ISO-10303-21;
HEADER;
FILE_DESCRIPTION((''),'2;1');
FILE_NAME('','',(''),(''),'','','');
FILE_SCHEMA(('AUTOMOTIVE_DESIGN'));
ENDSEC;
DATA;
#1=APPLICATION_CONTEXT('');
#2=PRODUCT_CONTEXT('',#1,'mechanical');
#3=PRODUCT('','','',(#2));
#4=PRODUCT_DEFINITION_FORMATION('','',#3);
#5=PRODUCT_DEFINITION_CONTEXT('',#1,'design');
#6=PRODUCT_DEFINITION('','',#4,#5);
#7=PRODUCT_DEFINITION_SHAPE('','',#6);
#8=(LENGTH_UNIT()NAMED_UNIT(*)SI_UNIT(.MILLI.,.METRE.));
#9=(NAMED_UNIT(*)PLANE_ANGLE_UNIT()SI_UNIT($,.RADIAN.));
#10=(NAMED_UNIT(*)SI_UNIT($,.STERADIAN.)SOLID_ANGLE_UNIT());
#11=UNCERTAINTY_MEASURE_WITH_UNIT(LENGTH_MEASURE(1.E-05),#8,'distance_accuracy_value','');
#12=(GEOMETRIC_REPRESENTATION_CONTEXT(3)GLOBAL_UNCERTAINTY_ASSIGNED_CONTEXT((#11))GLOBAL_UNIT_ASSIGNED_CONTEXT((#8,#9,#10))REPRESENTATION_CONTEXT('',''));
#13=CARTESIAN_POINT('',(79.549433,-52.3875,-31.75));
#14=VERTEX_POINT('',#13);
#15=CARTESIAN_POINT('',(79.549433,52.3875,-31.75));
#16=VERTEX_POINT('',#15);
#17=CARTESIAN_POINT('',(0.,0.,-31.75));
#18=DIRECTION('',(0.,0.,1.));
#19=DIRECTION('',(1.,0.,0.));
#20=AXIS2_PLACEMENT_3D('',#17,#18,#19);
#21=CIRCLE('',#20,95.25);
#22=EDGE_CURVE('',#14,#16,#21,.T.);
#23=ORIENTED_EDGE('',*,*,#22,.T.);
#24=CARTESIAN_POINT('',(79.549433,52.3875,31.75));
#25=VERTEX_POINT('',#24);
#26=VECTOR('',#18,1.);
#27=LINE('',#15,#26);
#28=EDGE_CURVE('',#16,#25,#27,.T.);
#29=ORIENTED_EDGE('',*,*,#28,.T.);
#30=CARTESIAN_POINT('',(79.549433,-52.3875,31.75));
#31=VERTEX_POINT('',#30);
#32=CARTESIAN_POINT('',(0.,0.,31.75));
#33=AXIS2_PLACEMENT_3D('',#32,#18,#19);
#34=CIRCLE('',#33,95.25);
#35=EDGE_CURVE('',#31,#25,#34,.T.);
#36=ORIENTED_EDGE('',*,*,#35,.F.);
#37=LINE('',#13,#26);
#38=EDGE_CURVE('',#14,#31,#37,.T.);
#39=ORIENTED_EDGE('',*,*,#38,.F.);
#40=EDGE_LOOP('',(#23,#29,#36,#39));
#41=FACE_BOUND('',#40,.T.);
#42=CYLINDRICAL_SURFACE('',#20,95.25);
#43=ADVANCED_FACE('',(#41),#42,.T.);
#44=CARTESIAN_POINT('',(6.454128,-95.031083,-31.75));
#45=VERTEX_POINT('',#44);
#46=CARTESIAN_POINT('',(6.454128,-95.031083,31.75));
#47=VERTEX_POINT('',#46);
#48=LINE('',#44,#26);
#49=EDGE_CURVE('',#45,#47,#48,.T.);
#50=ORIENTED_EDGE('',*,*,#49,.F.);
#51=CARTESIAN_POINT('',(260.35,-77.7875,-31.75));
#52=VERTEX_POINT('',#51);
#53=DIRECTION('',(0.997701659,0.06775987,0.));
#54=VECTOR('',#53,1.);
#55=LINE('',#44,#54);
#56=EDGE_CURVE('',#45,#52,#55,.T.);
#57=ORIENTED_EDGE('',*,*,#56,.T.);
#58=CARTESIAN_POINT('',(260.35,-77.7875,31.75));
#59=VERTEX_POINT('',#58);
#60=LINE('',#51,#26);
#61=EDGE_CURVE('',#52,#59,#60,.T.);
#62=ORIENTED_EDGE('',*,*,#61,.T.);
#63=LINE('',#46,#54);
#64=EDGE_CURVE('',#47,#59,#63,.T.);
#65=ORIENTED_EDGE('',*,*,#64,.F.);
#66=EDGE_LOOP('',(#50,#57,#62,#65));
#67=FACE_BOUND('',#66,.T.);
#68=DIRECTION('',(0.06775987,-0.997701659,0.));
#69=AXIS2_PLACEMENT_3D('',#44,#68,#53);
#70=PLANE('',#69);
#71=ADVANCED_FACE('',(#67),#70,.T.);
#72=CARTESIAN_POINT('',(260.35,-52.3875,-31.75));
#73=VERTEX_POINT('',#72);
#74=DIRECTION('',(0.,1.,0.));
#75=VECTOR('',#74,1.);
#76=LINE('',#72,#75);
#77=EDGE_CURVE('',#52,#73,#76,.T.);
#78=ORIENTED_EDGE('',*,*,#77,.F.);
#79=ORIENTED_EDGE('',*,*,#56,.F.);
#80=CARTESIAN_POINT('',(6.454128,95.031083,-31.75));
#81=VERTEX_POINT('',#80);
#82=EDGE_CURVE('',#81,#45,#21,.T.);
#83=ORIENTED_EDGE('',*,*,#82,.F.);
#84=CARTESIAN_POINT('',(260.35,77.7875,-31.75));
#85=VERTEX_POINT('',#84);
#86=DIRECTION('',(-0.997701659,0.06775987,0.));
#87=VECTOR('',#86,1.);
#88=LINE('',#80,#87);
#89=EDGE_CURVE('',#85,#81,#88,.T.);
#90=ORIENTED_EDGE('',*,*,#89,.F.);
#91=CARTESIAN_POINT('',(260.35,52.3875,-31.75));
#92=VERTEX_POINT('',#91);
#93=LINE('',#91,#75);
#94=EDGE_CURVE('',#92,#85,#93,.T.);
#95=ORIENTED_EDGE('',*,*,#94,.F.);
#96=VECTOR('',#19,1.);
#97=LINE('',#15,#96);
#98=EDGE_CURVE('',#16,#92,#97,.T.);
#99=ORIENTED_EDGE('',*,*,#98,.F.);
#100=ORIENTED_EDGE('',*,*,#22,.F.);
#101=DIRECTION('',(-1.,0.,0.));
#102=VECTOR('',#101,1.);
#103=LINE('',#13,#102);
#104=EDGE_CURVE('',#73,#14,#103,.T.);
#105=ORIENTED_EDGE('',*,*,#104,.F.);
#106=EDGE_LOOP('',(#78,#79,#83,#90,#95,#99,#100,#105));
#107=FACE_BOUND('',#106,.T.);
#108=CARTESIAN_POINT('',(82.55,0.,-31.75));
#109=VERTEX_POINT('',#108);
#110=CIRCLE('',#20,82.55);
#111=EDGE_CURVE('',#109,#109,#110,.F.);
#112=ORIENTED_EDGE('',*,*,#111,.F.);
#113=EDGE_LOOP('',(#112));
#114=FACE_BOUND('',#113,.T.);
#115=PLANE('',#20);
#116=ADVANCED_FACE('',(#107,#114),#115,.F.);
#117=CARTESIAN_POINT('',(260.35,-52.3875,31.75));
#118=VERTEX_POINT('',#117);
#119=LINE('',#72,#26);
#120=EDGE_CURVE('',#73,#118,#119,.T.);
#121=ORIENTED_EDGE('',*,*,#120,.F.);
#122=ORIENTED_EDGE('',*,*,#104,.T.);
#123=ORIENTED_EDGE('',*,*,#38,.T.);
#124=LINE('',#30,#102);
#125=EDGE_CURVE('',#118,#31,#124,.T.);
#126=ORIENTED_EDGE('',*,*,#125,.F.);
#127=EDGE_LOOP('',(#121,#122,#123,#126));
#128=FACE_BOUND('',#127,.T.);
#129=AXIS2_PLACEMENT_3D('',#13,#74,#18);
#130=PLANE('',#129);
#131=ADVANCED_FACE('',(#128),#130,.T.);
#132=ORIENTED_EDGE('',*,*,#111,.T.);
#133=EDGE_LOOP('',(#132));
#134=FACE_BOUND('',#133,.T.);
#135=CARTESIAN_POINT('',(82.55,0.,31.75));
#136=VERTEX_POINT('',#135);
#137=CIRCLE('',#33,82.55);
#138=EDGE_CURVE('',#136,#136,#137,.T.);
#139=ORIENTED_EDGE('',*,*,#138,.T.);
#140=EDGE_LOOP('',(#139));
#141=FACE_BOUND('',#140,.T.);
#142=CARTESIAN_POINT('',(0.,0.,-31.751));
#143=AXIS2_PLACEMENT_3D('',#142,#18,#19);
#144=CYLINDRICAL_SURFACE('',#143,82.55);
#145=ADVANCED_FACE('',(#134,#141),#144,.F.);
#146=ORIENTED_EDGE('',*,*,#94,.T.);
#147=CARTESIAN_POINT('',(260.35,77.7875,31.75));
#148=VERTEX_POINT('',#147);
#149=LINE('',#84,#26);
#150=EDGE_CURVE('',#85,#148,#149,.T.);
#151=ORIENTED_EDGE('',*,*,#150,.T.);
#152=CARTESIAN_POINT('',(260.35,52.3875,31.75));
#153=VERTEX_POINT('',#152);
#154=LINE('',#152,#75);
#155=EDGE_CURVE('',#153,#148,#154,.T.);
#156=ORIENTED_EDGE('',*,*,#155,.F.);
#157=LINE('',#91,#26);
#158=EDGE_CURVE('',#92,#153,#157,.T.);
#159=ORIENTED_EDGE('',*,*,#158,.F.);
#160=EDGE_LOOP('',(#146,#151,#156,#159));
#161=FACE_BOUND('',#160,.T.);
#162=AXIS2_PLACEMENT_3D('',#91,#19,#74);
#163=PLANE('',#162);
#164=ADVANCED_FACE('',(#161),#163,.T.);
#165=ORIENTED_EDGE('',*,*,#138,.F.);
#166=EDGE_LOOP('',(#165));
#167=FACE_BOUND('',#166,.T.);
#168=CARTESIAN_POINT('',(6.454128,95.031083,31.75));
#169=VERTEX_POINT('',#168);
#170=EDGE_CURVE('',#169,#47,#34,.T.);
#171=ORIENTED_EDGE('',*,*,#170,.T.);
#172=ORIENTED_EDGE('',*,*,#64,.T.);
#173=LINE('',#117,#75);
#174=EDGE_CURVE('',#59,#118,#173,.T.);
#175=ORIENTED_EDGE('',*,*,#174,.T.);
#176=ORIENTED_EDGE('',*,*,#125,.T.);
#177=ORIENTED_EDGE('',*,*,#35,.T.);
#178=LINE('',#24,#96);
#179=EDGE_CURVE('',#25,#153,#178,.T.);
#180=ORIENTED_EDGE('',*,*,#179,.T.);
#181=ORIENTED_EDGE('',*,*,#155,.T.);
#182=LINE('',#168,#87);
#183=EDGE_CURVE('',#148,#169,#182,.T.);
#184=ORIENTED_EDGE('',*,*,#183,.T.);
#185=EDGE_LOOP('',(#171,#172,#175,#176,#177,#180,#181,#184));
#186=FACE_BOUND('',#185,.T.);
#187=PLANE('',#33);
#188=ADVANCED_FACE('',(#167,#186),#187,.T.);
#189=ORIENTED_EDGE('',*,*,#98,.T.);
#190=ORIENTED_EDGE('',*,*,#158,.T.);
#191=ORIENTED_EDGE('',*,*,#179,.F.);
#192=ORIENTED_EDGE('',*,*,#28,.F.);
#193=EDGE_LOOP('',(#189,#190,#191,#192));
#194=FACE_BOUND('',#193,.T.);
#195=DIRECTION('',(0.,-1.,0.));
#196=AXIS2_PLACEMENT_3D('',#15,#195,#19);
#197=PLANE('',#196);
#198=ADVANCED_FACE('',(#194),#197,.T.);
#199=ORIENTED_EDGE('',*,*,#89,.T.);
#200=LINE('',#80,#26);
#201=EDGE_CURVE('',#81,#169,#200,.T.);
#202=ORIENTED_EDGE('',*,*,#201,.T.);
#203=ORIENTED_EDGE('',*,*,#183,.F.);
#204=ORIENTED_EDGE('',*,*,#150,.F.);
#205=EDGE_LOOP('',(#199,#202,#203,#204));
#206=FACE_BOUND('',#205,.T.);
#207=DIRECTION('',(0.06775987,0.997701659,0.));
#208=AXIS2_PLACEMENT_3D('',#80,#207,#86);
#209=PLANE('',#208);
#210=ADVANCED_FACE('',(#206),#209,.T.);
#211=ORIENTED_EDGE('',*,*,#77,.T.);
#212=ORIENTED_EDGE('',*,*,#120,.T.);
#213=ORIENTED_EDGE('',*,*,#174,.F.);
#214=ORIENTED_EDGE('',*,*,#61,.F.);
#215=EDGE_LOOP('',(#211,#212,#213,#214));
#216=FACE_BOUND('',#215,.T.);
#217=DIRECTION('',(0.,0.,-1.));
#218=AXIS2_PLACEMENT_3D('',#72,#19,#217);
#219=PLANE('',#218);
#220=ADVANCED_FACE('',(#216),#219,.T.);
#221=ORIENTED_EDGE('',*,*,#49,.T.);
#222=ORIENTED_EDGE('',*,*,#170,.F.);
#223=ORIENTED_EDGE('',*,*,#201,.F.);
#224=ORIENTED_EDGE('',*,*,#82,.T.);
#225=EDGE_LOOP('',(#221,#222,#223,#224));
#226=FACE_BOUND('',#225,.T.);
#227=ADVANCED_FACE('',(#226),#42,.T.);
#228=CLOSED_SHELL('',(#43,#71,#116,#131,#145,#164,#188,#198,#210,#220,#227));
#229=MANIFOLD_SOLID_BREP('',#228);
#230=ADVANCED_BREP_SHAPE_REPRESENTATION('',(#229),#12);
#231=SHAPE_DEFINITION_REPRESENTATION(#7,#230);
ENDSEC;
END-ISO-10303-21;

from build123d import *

# Parameters (mm, degrees)
BOSS_EXTRUDE2_DEPTH      = 31.75
BOSS_EXTRUDE2_DEPTH_BACK = 31.75
CUT_EXTRUDE3_REACH       = 286.406
SKETCH2_R                = 82.55


with BuildPart() as part:
    # Sketch1 → Boss-Extrude2 (new, two sides: drawn at the far end of the back side and taken through both)
    with BuildSketch(Plane.XY.offset(-BOSS_EXTRUDE2_DEPTH_BACK)):
        with BuildLine():
            Line((79.549433334, -52.3875), (260.35, -52.3875))
            Line((260.35, -52.3875), (260.35, -77.7875))
            Line((260.35, -77.7875), (6.45412764, -95.031083001))
            ThreePointArc((6.45412764, -95.031083001), (-95.25, 0), (6.45412764, 95.031083001))
            Line((6.45412764, 95.031083001), (260.35, 77.7875))
            Line((260.35, 77.7875), (260.35, 52.3875))
            Line((260.35, 52.3875), (79.549433334, 52.3875))
            ThreePointArc((79.549433334, 52.3875), (95.25, 0), (79.549433334, -52.3875))
        make_face()
    extrude(amount=BOSS_EXTRUDE2_DEPTH + BOSS_EXTRUDE2_DEPTH_BACK)

    # Sketch2 → Cut-Extrude3 (cut, up to next)
    with BuildSketch(Plane.XY.offset(31.75), mode=Mode.PRIVATE) as cut_extrude3_sk1:
        Circle(SKETCH2_R)
    cut_extrude3_tool1 = extrude(cut_extrude3_sk1.sketch, amount=-CUT_EXTRUDE3_REACH, mode=Mode.PRIVATE) & part.part
    add(cut_extrude3_tool1.solids().sort_by_distance((0, 0, 31.75))[0], mode=Mode.SUBTRACT)


solid = part.part
